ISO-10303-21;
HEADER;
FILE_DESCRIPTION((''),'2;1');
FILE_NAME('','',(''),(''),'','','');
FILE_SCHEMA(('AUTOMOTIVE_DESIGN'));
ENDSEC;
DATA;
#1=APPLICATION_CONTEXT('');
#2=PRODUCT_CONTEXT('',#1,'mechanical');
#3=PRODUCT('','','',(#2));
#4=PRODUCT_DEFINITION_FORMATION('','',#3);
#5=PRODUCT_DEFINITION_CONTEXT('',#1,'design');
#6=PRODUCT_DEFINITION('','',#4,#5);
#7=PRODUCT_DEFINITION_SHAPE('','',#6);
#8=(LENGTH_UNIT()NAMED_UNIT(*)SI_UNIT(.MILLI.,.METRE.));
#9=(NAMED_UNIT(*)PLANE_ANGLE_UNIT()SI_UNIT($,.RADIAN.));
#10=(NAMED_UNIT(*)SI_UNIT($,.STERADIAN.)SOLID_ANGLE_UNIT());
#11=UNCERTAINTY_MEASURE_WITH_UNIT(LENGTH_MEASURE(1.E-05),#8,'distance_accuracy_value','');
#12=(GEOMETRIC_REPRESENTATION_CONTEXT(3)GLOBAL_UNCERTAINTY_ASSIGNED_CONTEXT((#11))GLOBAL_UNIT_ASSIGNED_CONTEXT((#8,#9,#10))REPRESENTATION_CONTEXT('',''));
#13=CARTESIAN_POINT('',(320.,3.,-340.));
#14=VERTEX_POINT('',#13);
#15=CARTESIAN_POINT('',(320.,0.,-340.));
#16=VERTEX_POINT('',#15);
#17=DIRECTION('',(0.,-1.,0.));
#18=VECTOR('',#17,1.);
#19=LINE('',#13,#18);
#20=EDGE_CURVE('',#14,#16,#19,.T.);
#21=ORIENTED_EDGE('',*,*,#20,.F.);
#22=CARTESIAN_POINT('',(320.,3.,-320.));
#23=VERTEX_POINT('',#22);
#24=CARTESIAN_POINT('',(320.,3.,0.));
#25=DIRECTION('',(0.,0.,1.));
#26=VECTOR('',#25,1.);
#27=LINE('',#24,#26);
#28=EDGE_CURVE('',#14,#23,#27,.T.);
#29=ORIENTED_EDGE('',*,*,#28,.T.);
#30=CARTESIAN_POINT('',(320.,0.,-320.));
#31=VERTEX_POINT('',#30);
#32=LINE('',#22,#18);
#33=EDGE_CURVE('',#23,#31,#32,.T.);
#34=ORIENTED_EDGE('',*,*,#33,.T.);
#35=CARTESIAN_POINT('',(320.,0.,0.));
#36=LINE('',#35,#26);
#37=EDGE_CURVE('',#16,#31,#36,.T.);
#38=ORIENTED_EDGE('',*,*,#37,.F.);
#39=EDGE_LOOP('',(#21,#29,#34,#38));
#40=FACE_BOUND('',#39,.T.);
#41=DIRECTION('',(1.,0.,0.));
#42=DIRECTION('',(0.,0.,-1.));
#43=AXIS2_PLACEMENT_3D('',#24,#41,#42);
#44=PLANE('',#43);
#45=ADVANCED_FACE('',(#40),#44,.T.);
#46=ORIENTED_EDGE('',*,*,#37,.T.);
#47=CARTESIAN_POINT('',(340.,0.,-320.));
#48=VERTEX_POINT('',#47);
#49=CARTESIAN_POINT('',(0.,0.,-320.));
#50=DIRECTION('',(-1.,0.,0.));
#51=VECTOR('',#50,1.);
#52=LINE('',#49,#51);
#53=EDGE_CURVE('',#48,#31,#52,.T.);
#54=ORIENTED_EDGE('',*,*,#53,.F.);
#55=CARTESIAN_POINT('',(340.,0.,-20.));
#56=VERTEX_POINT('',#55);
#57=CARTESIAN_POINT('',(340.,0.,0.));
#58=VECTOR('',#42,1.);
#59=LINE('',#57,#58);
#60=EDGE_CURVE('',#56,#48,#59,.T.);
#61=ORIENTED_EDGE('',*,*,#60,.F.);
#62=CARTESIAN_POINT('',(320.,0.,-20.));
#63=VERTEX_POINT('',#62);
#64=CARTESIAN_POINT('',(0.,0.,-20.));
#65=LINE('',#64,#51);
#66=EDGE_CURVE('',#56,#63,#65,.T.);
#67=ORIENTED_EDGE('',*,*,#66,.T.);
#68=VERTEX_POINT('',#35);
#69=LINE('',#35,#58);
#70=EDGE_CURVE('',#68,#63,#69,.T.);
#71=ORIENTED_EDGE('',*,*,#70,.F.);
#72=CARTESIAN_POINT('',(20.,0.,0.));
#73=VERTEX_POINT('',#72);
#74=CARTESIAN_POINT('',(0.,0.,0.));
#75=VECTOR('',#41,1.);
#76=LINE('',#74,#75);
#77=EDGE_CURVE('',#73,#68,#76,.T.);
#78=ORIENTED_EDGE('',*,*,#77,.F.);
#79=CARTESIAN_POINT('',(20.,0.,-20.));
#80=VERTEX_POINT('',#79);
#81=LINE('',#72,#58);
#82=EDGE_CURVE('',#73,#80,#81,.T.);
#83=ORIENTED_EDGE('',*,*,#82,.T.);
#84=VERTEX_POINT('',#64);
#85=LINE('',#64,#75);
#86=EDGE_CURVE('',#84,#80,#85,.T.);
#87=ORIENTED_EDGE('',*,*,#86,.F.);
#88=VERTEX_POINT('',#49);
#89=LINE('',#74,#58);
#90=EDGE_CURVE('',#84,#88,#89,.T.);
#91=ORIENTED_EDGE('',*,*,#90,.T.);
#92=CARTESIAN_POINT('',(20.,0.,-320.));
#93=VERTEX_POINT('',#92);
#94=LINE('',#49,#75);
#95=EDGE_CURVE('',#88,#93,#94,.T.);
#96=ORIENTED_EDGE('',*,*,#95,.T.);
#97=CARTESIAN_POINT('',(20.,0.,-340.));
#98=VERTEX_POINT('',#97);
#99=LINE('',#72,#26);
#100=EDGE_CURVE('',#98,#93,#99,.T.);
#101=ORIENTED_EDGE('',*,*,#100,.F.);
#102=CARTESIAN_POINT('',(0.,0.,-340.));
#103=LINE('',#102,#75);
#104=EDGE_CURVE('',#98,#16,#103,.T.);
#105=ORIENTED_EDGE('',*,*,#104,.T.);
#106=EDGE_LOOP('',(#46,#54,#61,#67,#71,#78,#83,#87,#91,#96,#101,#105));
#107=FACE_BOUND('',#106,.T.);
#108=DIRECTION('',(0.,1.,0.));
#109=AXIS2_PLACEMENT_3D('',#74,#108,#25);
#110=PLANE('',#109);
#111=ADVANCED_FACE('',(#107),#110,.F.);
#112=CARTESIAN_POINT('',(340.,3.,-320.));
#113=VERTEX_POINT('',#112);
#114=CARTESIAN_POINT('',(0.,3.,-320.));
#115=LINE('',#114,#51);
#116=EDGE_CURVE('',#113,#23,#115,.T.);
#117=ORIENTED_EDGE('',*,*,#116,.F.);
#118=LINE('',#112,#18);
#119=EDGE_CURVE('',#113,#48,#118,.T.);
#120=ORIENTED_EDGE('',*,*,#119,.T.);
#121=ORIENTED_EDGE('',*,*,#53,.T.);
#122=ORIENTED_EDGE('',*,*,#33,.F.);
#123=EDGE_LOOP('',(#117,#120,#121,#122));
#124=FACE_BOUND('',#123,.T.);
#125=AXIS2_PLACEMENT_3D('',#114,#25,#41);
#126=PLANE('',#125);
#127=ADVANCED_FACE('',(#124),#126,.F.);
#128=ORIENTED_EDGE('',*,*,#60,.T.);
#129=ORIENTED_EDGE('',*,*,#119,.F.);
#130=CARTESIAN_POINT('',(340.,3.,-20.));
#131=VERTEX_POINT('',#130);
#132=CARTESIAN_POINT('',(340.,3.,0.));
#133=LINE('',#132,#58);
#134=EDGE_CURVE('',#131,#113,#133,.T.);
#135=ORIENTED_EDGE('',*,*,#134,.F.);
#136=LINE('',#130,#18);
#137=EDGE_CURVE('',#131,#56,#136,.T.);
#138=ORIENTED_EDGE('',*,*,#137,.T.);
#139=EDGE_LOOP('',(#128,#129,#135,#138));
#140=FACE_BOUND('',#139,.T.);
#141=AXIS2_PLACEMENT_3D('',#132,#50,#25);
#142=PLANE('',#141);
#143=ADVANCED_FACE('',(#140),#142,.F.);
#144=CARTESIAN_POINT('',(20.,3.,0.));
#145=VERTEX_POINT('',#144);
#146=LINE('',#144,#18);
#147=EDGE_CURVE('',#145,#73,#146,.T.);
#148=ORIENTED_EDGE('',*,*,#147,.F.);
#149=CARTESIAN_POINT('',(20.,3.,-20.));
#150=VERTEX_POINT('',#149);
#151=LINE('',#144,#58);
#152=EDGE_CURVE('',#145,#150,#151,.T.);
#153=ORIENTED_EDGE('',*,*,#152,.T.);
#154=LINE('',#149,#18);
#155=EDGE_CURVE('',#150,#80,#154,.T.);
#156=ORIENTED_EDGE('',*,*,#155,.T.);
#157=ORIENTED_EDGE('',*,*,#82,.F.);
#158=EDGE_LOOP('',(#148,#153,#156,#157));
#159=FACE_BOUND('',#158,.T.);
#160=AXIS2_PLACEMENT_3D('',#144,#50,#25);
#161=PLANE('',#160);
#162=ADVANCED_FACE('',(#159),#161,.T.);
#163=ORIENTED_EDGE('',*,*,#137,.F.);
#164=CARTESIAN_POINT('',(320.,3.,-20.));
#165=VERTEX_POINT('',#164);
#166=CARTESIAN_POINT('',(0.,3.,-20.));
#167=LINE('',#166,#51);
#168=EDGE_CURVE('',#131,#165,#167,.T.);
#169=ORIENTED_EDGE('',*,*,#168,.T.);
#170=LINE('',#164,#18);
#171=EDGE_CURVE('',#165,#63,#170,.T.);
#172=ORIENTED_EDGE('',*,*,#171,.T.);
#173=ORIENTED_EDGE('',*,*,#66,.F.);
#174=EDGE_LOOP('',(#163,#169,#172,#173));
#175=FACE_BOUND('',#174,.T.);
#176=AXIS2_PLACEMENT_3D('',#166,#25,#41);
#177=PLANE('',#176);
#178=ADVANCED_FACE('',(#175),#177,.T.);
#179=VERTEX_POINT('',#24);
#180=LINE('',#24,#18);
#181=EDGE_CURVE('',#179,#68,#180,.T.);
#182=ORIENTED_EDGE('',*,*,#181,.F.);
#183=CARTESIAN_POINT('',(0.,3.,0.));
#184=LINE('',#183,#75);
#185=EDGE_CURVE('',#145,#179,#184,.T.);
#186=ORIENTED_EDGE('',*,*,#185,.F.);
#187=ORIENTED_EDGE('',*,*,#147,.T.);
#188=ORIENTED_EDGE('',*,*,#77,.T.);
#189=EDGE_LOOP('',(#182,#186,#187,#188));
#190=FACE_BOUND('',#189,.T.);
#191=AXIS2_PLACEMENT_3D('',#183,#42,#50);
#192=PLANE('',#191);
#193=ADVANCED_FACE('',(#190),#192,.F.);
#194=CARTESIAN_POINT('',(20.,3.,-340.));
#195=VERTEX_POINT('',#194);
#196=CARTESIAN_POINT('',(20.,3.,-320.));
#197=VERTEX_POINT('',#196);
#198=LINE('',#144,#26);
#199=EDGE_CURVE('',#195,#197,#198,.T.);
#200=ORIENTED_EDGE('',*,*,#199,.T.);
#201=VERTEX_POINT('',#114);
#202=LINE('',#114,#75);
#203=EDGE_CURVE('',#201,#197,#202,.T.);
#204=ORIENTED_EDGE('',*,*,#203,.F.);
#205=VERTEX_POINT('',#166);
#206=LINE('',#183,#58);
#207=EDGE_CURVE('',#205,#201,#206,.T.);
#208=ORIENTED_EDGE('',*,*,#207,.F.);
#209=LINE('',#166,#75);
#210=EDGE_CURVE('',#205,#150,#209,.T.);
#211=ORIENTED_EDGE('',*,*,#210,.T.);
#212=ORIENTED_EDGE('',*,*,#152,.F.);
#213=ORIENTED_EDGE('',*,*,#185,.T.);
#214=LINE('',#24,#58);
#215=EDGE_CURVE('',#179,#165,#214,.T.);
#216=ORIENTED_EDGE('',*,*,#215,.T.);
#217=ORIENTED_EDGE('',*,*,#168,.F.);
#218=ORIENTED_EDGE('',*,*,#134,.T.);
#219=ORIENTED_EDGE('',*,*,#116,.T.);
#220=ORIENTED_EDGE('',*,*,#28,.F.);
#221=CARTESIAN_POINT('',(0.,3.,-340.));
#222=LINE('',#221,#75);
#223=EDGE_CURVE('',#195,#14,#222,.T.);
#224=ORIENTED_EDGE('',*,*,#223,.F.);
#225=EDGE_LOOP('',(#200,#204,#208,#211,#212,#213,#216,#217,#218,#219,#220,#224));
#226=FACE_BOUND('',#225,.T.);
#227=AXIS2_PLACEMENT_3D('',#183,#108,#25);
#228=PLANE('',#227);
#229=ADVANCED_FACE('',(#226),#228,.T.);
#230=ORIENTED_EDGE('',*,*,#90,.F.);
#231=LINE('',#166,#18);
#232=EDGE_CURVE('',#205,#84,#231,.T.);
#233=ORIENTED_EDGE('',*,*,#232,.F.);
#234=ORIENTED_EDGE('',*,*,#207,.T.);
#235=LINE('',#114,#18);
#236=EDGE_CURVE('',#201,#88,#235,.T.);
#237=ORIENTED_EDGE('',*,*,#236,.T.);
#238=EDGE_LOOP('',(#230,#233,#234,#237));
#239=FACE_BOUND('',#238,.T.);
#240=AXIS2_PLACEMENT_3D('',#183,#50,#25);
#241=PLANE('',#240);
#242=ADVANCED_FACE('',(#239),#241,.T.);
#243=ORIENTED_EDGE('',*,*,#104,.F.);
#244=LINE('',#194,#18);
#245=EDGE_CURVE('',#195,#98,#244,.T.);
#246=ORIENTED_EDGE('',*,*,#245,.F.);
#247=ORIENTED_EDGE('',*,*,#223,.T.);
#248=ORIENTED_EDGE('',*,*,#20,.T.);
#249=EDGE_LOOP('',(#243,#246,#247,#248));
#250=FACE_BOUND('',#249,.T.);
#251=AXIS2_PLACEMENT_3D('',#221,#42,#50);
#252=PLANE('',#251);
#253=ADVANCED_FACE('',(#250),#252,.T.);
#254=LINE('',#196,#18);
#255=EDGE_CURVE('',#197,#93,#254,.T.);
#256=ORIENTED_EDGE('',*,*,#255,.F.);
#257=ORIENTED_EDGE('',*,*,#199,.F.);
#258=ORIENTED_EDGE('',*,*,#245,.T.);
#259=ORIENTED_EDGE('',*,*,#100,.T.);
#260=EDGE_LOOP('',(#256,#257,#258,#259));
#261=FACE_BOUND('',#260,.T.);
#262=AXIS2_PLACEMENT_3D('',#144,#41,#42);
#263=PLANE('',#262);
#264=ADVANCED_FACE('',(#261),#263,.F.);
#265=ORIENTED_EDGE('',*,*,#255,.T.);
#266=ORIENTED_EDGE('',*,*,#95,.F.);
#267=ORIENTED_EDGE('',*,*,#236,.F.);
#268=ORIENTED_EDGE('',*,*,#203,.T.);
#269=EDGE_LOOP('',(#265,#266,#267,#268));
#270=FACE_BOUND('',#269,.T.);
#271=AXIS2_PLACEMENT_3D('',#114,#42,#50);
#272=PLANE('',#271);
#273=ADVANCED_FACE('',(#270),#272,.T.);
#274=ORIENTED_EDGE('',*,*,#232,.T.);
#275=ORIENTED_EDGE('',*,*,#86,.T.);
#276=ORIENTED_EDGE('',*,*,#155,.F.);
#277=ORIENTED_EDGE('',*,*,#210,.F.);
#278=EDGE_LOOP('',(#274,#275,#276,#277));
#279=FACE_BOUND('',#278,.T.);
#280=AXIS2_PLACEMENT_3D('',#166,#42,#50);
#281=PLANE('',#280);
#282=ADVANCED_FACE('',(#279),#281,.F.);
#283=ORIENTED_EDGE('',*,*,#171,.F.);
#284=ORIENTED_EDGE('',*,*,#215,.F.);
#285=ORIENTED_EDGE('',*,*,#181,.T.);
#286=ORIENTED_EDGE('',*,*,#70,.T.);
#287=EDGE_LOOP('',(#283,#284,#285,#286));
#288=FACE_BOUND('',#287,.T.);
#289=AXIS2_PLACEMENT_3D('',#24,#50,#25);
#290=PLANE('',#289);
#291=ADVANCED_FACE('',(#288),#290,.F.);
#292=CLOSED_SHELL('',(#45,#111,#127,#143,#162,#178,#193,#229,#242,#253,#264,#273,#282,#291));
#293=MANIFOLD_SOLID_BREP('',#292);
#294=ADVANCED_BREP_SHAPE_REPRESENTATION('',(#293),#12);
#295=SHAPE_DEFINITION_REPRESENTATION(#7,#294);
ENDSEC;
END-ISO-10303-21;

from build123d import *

# Parameters (mm, degrees)
BOSS_EXTRUDE1_DEPTH = 3


with BuildPart() as part:
    # Sketch1 → Boss-Extrude1 (new body)
    with BuildSketch(Plane(origin=(0, 0, 0), x_dir=(1, 0, 0), z_dir=(0, 1, 0))):
        Polygon((20, 20), (20, 0), (320, 0), (320, 20), (340, 20), (340, 320), (320, 320), (320, 340), (20, 340), (20, 320), (0, 320), (0, 20), align=None)
    extrude(amount=BOSS_EXTRUDE1_DEPTH)


solid = part.part
